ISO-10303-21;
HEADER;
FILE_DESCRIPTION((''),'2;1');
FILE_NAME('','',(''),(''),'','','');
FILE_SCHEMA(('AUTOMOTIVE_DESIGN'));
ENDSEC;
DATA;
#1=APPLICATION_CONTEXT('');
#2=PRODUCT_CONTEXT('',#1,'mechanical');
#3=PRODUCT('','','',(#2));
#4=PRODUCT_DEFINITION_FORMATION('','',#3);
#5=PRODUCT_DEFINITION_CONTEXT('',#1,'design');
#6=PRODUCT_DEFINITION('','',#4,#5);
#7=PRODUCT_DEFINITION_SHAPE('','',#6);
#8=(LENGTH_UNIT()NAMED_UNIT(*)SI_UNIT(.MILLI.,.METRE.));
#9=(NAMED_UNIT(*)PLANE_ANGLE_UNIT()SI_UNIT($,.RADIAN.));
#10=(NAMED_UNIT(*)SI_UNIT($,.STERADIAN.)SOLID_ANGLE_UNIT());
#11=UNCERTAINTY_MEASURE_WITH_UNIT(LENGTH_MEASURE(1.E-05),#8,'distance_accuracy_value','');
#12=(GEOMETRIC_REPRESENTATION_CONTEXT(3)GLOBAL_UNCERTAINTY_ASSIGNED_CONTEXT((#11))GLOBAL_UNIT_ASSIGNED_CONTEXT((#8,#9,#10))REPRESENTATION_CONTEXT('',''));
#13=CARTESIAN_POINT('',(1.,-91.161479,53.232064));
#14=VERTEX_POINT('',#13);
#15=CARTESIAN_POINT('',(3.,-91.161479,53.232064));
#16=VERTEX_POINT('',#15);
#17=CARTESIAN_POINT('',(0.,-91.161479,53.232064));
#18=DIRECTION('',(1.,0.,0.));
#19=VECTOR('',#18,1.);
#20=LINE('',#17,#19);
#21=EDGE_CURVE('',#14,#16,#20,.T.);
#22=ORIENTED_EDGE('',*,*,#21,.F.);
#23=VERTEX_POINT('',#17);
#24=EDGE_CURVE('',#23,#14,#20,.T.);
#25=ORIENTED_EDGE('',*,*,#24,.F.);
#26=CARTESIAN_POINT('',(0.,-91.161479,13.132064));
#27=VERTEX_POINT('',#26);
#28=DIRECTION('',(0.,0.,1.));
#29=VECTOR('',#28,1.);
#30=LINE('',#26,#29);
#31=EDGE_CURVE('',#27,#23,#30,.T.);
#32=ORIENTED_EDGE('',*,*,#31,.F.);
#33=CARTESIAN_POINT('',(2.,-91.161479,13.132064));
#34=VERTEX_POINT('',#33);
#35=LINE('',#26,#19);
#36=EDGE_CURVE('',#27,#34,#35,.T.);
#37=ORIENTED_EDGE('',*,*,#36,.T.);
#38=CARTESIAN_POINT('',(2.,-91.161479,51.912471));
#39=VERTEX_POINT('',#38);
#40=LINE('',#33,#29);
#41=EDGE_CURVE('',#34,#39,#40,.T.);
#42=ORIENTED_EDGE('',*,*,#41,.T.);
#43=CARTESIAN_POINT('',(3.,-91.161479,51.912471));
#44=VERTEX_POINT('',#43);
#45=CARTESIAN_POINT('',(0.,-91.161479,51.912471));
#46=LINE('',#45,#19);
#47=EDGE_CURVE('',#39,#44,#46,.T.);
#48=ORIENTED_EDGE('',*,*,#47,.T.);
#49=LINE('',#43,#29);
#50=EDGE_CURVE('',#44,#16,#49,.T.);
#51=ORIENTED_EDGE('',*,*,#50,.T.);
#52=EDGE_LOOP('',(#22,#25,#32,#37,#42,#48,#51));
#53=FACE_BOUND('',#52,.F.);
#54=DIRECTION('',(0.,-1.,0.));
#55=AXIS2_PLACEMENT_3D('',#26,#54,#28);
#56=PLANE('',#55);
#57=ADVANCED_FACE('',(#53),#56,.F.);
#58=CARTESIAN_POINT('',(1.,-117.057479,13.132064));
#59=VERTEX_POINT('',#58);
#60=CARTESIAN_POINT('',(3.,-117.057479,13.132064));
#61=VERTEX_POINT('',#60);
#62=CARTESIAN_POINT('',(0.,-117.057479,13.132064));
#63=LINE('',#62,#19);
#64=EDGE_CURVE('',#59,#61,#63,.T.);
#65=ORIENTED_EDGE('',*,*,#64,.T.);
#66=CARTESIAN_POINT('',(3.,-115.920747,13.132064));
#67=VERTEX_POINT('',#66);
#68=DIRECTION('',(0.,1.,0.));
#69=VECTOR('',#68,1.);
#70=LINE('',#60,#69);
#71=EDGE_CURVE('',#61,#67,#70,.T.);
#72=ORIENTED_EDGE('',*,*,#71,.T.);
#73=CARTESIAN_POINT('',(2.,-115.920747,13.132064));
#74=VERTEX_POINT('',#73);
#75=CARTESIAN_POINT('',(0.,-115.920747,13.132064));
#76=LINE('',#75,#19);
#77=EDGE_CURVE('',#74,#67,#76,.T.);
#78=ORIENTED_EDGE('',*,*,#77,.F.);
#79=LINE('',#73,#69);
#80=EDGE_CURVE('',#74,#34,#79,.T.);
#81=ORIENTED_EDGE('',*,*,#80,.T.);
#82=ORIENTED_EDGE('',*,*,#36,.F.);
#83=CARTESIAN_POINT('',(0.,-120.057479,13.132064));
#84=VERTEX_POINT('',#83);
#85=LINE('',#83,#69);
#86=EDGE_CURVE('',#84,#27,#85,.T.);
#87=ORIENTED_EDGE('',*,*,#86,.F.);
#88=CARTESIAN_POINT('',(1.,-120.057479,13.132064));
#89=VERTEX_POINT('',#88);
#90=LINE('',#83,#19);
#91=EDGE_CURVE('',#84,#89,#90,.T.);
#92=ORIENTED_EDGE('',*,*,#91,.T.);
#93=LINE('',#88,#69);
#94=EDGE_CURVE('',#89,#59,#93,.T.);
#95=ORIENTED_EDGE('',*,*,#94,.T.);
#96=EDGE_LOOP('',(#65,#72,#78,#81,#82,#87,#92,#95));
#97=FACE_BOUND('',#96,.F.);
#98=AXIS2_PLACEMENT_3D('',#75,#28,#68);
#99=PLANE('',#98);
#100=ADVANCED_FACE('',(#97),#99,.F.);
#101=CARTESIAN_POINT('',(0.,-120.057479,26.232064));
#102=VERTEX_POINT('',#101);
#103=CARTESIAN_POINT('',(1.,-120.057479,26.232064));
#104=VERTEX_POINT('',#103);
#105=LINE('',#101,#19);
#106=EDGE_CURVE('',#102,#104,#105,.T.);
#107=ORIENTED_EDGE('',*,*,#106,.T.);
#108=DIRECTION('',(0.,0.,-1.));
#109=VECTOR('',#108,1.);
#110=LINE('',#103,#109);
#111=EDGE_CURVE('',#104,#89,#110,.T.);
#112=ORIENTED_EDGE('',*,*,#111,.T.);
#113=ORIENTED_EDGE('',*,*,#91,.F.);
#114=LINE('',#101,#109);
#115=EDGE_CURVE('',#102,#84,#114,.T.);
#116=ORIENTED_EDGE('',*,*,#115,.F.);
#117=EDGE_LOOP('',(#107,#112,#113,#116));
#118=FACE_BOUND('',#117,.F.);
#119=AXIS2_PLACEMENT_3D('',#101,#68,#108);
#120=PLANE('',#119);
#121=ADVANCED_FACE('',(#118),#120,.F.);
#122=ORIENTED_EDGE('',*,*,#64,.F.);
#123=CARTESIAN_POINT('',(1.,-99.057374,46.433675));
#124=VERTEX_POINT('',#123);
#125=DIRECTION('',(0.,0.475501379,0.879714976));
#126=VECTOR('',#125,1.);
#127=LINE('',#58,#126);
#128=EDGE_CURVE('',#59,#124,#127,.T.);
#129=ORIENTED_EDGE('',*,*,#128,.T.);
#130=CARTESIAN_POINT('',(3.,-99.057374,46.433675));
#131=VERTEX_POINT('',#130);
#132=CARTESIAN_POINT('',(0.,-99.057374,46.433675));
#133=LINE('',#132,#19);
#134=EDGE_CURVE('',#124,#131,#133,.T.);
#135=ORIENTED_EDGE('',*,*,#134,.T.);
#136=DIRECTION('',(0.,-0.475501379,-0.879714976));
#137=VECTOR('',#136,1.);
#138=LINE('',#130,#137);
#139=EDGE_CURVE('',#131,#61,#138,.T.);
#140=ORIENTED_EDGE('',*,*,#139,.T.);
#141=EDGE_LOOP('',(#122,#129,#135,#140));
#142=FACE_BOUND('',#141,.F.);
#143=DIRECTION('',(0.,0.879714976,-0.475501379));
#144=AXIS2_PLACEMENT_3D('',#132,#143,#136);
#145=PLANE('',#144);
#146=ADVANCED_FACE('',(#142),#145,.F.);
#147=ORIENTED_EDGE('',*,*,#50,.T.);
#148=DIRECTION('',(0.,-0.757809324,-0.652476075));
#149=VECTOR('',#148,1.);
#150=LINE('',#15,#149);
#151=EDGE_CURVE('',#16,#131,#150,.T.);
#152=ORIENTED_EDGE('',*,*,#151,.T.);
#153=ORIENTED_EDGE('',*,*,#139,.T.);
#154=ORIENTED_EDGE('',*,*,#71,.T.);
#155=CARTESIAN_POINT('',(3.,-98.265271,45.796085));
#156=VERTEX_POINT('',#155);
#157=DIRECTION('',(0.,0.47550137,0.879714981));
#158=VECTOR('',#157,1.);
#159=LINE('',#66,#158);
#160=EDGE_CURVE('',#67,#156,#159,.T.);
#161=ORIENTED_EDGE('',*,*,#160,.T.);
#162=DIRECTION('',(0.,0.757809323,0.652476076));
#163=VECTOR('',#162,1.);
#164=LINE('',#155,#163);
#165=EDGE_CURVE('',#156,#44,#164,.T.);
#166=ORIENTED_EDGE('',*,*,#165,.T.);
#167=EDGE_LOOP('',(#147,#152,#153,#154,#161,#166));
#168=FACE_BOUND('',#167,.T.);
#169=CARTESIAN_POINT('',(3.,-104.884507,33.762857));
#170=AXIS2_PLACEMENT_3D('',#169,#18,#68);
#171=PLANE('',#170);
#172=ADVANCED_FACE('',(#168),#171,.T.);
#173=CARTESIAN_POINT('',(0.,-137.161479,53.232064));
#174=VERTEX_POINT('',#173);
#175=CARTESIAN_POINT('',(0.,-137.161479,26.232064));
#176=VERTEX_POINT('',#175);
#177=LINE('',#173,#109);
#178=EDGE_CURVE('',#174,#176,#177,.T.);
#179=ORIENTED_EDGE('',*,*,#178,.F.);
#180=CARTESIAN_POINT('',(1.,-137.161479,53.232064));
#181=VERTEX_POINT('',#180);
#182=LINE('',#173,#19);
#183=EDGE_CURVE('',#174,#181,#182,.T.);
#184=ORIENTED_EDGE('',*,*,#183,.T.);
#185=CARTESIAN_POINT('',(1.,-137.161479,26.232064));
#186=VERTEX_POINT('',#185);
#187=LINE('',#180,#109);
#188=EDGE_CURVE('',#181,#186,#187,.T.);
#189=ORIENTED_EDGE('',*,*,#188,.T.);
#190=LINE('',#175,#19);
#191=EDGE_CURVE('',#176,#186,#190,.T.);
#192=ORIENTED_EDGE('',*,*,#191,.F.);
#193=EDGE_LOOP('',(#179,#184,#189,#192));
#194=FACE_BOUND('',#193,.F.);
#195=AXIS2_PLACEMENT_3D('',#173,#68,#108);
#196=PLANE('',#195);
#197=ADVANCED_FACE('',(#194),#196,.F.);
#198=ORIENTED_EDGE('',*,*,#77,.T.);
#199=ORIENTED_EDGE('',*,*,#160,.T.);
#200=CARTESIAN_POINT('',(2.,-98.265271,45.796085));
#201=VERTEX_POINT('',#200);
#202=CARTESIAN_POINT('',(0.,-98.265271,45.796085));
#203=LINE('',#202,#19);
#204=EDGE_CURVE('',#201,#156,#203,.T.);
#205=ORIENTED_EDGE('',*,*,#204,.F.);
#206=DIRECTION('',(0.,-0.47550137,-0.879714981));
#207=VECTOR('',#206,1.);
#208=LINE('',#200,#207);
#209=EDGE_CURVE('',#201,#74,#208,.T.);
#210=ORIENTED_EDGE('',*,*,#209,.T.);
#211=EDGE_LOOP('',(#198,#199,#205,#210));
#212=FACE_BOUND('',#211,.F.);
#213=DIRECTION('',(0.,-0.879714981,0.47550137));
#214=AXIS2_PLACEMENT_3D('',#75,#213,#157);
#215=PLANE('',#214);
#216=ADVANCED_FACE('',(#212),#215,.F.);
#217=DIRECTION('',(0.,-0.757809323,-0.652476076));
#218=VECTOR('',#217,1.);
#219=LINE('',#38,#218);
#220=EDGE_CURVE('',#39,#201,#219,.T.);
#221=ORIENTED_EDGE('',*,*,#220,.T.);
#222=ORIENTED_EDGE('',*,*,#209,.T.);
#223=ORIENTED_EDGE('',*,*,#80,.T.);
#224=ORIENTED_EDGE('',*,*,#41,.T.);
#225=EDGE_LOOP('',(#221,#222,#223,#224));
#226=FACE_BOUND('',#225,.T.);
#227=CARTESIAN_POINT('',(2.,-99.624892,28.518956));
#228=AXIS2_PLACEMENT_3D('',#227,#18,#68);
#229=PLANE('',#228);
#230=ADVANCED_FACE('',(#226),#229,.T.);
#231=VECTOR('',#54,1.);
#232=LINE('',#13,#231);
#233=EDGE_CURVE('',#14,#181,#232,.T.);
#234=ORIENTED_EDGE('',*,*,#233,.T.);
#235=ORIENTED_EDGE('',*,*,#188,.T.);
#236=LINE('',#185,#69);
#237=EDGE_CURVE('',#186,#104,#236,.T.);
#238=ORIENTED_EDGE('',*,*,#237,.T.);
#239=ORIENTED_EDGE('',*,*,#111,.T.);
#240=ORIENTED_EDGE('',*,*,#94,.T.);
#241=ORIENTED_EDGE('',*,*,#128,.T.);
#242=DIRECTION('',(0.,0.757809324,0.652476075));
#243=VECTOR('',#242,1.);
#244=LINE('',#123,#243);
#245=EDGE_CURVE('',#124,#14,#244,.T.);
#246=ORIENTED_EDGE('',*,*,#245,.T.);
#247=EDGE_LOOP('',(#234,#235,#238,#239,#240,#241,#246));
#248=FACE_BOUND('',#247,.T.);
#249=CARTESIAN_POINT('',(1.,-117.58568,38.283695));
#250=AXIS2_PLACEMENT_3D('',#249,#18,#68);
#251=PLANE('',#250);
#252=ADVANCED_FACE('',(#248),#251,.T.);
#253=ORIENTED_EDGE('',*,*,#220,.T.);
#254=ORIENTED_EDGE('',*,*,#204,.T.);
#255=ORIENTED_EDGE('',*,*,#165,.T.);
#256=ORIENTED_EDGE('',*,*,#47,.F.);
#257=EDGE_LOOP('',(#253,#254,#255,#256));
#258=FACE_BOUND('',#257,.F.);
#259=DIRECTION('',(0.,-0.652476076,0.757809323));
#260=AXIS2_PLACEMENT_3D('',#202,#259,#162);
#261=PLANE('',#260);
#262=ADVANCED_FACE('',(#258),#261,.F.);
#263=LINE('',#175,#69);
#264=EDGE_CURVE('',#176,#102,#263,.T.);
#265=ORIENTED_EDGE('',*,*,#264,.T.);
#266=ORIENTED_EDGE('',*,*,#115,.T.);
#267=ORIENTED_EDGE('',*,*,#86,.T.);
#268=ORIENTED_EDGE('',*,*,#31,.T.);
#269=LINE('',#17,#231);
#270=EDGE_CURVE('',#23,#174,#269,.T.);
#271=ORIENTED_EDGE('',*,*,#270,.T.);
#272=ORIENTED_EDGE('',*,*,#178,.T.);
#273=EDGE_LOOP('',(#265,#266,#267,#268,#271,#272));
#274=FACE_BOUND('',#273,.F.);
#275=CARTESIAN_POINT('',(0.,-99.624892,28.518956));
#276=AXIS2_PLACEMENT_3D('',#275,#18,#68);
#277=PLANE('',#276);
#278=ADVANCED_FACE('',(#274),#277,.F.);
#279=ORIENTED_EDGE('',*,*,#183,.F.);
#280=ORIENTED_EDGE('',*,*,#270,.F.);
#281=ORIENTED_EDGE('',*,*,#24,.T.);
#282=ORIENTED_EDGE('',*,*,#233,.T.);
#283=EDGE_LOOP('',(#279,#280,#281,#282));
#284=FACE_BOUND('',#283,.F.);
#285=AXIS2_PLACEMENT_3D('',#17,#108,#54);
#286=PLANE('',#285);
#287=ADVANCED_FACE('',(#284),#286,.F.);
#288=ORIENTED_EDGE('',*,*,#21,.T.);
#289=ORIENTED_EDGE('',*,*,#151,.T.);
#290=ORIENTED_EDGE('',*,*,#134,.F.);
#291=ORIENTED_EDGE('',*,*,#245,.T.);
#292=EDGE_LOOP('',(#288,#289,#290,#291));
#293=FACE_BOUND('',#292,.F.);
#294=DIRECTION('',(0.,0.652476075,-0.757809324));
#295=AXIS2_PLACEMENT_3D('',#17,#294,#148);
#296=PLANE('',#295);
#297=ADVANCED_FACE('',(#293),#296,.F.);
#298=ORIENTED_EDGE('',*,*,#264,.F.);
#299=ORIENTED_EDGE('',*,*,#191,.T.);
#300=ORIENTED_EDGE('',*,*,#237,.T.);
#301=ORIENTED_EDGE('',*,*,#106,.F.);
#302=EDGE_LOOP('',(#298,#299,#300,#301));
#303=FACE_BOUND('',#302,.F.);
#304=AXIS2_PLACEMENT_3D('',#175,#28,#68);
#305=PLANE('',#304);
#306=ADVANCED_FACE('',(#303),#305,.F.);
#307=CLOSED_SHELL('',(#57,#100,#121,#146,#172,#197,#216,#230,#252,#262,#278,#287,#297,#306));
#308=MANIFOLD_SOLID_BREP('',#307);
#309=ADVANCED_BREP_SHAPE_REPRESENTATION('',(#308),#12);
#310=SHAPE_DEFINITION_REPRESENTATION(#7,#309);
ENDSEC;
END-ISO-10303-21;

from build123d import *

# Parameters (mm, degrees)
F1_DEPTH = 1
F2_DEPTH = 3
F3_DEPTH = 2


with BuildPart() as f1:
    # F0 (on Right) → F1 (new body)
    with BuildSketch(Plane.YZ):
        Polygon((-91.161479, 53.232064), (-137.161479, 53.232064), (-137.161479, 26.232064), (-127.161479, 26.232064), (-120.057479, 26.232064), (-120.057479, 13.132064), (-117.057479, 13.132064), (-99.057374, 46.433675), align=None)
    extrude(amount=F1_DEPTH)

    # F0 (on Right) → F2 (join)
    with BuildSketch(Plane.YZ):
        Polygon((-91.161479, 51.912471), (-91.161479, 53.232064), (-99.057374, 46.433675), (-117.057479, 13.132064), (-115.920747, 13.132064), (-98.265271, 45.796085), align=None)
    extrude(amount=F2_DEPTH)

    # F0 (on Right) → F3 (join)
    with BuildSketch(Plane.YZ):
        Polygon((-91.161479, 26.232064), (-91.161479, 51.912471), (-98.265271, 45.796085), (-115.920747, 13.132064), (-91.161479, 13.132064), align=None)
    extrude(amount=F3_DEPTH)


solid = f1.part
